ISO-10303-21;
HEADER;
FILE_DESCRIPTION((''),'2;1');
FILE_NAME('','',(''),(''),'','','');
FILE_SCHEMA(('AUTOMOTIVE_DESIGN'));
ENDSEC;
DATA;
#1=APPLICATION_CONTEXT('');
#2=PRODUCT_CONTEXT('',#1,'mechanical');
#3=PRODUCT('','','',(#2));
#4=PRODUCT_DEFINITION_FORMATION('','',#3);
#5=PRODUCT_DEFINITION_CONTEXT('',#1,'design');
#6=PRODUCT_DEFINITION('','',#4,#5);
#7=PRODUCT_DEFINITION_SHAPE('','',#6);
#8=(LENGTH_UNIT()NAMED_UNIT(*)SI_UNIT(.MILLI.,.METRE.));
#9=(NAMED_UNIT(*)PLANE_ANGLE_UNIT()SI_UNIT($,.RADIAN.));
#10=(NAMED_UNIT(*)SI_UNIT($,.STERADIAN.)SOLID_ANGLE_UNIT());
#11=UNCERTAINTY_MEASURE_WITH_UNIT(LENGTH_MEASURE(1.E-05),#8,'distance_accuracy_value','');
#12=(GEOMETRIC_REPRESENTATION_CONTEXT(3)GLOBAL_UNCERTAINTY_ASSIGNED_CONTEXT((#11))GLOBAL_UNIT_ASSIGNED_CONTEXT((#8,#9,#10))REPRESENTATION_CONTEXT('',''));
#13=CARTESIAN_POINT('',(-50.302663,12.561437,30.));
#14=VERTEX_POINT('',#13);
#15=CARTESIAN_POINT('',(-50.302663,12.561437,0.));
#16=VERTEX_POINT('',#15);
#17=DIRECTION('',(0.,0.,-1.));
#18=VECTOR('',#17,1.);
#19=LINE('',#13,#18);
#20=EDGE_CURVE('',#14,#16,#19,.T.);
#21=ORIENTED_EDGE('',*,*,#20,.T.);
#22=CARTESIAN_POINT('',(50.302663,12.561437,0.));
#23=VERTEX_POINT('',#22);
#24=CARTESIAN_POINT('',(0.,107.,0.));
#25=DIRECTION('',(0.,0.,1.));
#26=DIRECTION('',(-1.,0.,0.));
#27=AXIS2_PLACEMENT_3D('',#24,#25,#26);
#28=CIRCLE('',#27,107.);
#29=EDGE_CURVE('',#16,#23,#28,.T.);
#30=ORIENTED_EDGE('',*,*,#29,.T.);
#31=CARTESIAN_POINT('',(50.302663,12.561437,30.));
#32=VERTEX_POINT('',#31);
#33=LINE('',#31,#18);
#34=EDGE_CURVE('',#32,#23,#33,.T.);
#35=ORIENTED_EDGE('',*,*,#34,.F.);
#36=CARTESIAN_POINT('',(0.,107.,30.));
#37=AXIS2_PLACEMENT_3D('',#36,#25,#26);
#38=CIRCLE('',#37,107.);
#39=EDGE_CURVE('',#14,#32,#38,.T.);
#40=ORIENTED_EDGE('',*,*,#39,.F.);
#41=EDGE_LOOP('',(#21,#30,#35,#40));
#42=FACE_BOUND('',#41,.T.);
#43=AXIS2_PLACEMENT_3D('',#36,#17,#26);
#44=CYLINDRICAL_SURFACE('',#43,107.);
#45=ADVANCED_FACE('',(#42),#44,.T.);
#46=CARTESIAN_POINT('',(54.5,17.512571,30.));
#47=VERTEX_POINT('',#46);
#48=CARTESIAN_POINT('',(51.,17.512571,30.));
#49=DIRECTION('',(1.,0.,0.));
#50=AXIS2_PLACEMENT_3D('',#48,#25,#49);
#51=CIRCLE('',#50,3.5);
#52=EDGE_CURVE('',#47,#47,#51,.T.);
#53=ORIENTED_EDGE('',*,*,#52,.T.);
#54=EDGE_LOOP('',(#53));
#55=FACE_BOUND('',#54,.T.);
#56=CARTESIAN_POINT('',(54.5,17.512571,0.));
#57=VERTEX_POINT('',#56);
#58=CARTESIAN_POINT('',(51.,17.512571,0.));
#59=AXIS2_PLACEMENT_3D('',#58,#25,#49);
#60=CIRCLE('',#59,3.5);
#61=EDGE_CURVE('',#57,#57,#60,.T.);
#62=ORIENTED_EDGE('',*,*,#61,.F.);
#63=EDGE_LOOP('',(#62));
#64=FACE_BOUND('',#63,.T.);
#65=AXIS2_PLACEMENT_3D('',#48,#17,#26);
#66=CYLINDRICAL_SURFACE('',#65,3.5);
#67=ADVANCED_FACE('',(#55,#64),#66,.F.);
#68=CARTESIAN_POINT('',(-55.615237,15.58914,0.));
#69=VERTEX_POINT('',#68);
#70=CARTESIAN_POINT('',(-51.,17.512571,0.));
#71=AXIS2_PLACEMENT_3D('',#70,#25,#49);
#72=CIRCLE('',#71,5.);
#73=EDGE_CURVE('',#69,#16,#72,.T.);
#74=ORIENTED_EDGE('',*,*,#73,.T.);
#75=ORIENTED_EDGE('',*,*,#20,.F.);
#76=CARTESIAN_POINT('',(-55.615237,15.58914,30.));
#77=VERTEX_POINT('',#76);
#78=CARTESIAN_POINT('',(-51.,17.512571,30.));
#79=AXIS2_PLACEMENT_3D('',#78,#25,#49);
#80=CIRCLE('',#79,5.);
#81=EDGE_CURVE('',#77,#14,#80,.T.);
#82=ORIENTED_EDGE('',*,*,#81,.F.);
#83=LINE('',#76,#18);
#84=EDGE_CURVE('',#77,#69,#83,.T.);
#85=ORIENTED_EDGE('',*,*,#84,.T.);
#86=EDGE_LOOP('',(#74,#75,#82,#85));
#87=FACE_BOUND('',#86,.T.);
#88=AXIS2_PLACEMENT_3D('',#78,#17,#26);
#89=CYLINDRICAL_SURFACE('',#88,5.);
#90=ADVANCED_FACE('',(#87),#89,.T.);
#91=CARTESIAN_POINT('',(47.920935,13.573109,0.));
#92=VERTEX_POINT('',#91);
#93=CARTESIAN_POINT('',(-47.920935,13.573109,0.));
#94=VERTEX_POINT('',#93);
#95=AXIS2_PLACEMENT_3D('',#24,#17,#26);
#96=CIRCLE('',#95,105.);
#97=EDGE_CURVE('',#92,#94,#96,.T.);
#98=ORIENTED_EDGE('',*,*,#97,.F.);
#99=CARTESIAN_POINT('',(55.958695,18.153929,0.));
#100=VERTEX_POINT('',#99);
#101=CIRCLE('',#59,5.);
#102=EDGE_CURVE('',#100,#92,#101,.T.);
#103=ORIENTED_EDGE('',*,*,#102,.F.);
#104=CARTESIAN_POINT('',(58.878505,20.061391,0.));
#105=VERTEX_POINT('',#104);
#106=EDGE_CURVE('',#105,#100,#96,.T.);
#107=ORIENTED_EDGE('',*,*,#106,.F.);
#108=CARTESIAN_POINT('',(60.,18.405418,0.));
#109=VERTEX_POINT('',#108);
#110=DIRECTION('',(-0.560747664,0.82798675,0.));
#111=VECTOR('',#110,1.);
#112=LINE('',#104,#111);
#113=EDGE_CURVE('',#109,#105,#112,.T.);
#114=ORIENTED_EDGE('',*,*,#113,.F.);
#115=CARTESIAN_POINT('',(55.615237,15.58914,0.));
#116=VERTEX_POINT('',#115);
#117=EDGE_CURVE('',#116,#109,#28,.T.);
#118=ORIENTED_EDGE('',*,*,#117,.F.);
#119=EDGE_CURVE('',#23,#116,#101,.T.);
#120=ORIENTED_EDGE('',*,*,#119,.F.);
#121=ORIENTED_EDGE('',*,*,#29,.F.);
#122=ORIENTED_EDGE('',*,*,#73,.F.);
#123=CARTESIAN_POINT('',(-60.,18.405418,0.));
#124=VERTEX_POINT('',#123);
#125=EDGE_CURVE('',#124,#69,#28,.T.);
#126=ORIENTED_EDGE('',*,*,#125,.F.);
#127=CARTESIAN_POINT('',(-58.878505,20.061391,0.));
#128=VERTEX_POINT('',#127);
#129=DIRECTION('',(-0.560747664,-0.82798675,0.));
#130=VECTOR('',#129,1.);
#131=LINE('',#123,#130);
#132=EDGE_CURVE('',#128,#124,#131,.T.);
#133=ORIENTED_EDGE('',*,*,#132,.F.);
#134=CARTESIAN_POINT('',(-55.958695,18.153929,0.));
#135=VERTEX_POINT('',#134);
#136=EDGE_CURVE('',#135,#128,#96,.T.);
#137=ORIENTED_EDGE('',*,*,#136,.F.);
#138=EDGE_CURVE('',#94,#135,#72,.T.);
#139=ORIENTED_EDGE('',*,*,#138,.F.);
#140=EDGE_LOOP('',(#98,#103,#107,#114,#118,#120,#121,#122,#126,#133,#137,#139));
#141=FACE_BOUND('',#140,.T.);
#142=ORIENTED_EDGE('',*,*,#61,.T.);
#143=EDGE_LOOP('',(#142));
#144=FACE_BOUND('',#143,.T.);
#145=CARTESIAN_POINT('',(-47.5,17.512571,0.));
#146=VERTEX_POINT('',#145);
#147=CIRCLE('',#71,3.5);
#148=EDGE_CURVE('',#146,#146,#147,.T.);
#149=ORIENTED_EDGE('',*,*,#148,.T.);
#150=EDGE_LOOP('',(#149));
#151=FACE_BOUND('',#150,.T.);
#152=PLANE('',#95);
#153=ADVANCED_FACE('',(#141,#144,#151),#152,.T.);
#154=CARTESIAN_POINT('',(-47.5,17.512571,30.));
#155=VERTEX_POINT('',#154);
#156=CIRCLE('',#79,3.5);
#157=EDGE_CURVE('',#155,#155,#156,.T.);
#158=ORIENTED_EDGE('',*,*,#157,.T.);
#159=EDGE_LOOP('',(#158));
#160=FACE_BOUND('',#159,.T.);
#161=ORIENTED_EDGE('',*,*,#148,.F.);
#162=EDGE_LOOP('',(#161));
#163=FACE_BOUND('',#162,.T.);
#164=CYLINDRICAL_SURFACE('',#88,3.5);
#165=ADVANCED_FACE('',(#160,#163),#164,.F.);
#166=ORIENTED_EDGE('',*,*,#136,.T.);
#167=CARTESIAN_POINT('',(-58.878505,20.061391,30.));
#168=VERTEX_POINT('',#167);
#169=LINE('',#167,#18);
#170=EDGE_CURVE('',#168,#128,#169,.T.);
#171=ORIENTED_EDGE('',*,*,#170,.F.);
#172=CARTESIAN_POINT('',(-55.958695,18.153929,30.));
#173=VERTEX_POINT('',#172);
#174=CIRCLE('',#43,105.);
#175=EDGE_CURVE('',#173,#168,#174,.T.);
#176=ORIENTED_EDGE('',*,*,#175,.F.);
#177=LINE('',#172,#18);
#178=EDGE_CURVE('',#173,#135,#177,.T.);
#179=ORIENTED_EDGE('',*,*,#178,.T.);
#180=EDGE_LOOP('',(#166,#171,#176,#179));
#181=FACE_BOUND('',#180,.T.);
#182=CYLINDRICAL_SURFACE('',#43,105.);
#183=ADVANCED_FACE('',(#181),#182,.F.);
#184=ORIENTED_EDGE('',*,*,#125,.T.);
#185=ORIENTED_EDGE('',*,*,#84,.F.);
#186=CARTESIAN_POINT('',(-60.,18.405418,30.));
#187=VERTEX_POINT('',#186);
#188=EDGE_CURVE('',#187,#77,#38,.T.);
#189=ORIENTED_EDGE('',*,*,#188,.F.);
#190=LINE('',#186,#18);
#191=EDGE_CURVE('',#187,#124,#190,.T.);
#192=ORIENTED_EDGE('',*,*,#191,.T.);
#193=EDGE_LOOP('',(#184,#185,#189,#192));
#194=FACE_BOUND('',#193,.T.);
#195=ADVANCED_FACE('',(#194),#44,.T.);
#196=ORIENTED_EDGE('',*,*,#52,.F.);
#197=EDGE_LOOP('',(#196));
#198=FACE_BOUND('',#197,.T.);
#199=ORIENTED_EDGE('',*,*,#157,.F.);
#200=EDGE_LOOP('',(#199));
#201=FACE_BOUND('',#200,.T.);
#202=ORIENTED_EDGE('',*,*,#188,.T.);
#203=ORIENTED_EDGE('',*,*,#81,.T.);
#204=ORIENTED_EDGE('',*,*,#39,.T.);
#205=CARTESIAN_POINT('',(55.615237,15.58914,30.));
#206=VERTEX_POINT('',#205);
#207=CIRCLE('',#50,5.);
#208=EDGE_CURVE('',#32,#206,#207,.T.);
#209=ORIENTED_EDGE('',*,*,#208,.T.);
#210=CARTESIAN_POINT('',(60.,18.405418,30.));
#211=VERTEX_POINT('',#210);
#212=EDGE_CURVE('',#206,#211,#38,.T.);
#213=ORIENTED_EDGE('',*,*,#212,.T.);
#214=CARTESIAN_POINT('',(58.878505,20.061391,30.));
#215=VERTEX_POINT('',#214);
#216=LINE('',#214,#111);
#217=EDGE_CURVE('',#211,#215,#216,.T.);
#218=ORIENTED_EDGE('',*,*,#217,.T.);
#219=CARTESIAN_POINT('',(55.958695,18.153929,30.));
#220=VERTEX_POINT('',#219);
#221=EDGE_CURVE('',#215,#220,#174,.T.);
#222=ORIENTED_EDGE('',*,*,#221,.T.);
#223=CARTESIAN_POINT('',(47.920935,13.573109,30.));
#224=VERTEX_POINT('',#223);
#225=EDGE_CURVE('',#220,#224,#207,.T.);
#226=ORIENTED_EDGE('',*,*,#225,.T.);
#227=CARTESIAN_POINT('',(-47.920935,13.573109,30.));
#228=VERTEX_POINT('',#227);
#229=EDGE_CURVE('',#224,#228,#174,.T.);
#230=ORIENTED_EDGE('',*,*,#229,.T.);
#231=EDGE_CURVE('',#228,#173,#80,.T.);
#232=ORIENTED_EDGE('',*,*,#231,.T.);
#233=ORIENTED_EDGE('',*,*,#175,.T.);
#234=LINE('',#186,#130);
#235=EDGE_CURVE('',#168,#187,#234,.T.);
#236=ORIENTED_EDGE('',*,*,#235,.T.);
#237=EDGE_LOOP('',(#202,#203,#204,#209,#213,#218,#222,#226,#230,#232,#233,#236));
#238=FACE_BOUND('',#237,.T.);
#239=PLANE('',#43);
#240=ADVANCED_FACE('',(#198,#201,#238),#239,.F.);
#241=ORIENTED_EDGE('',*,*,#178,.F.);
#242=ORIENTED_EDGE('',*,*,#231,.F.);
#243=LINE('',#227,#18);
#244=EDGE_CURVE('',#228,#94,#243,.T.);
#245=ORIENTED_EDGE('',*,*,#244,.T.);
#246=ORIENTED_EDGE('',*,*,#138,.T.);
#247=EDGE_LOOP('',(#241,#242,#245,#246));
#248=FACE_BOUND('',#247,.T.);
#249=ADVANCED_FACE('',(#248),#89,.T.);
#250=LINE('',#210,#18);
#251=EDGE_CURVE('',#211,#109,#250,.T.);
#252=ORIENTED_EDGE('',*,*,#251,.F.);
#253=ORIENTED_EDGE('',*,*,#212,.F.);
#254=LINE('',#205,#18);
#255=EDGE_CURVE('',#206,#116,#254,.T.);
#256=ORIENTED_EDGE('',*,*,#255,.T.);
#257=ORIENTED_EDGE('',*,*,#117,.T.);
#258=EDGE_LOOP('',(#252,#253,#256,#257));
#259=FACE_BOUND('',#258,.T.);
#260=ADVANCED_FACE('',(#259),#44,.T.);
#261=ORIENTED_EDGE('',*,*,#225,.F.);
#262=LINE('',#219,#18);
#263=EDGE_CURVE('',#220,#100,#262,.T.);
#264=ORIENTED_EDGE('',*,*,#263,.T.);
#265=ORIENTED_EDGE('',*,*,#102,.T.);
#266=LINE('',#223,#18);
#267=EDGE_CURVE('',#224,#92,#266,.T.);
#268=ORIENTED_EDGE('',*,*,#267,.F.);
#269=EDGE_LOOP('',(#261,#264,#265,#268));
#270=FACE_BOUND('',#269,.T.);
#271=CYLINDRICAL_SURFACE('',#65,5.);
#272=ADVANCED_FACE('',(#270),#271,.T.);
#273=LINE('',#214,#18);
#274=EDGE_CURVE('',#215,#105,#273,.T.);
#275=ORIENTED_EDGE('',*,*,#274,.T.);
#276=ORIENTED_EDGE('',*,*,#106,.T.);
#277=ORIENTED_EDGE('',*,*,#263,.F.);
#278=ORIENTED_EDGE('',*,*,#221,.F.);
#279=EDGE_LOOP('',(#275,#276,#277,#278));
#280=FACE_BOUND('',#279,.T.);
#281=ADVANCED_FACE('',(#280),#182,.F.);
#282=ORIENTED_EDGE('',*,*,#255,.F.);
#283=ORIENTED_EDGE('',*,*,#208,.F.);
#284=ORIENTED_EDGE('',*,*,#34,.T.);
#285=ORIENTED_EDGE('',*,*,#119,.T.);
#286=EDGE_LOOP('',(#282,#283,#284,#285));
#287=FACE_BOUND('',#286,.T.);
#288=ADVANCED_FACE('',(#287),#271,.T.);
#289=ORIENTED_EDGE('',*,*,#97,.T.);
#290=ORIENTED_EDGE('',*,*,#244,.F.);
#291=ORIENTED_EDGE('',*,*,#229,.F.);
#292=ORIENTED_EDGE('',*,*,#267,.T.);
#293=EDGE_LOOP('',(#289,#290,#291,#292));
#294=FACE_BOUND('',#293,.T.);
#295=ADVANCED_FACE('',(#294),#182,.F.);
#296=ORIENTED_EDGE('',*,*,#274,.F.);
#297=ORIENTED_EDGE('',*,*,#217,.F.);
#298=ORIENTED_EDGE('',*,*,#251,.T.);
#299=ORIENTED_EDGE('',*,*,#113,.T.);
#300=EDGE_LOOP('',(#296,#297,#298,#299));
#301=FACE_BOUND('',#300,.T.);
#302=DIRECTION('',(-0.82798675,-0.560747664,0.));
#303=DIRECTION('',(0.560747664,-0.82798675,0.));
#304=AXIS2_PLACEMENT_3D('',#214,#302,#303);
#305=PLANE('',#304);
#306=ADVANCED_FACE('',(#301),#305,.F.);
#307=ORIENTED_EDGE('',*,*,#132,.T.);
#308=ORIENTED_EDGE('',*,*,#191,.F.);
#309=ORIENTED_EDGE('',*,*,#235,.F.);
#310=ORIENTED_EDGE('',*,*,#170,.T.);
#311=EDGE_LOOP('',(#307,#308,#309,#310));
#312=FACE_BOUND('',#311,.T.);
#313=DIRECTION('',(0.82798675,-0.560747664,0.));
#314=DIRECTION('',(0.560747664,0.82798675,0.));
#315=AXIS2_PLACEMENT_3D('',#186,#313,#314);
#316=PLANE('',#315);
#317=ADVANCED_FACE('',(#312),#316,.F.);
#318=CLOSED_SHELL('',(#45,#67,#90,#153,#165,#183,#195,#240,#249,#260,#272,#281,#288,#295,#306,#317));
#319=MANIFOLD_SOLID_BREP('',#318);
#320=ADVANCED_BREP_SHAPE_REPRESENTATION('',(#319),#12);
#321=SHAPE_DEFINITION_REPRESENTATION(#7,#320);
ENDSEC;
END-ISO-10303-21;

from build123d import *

# Parameters (mm, degrees)
SKETCH1_R           = 3.5
BOSS_EXTRUDE1_DEPTH = 30


with BuildPart() as part:
    # Sketch1 → Boss-Extrude1 (new body)
    with BuildSketch(Plane.XY):
        with BuildLine():
            Line((-60, 18.405417773), (-58.878504673, 20.061391272))
            ThreePointArc((-58.878504673, 20.061391272), (-57.426520301, 19.095536142), (-55.958695403, 18.153928569))
            ThreePointArc((-55.958695403, 18.153928569), (-48.524271845, 21.85662068), (-47.920935099, 13.573108907))
            ThreePointArc((-47.920935099, 13.573108907), (0, 2), (47.920935099, 13.573108907))
            ThreePointArc((47.920935099, 13.573108907), (48.524271845, 21.85662068), (55.958695403, 18.153928569))
            ThreePointArc((55.958695403, 18.153928569), (57.426520301, 19.095536142), (58.878504673, 20.061391272))
            Line((58.878504673, 20.061391272), (60, 18.405417773))
            ThreePointArc((60, 18.405417773), (57.824766419, 16.970580427), (55.615236982, 15.589139511))
            ThreePointArc((55.615236982, 15.589139511), (53.475728155, 13.16852075), (50.302662914, 12.561437412))
            ThreePointArc((50.302662914, 12.561437412), (0, 0), (-50.302662914, 12.561437412))
            ThreePointArc((-50.302662914, 12.561437412), (-53.475728155, 13.16852075), (-55.615236982, 15.589139511))
            ThreePointArc((-55.615236982, 15.589139511), (-57.824766419, 16.970580427), (-60, 18.405417773))
        make_face()
        with Locations((-51, 17.512570715)):
            Circle(SKETCH1_R, mode=Mode.SUBTRACT)
        with Locations((51, 17.512570715)):
            Circle(SKETCH1_R, mode=Mode.SUBTRACT)
    extrude(amount=BOSS_EXTRUDE1_DEPTH)


solid = part.part
